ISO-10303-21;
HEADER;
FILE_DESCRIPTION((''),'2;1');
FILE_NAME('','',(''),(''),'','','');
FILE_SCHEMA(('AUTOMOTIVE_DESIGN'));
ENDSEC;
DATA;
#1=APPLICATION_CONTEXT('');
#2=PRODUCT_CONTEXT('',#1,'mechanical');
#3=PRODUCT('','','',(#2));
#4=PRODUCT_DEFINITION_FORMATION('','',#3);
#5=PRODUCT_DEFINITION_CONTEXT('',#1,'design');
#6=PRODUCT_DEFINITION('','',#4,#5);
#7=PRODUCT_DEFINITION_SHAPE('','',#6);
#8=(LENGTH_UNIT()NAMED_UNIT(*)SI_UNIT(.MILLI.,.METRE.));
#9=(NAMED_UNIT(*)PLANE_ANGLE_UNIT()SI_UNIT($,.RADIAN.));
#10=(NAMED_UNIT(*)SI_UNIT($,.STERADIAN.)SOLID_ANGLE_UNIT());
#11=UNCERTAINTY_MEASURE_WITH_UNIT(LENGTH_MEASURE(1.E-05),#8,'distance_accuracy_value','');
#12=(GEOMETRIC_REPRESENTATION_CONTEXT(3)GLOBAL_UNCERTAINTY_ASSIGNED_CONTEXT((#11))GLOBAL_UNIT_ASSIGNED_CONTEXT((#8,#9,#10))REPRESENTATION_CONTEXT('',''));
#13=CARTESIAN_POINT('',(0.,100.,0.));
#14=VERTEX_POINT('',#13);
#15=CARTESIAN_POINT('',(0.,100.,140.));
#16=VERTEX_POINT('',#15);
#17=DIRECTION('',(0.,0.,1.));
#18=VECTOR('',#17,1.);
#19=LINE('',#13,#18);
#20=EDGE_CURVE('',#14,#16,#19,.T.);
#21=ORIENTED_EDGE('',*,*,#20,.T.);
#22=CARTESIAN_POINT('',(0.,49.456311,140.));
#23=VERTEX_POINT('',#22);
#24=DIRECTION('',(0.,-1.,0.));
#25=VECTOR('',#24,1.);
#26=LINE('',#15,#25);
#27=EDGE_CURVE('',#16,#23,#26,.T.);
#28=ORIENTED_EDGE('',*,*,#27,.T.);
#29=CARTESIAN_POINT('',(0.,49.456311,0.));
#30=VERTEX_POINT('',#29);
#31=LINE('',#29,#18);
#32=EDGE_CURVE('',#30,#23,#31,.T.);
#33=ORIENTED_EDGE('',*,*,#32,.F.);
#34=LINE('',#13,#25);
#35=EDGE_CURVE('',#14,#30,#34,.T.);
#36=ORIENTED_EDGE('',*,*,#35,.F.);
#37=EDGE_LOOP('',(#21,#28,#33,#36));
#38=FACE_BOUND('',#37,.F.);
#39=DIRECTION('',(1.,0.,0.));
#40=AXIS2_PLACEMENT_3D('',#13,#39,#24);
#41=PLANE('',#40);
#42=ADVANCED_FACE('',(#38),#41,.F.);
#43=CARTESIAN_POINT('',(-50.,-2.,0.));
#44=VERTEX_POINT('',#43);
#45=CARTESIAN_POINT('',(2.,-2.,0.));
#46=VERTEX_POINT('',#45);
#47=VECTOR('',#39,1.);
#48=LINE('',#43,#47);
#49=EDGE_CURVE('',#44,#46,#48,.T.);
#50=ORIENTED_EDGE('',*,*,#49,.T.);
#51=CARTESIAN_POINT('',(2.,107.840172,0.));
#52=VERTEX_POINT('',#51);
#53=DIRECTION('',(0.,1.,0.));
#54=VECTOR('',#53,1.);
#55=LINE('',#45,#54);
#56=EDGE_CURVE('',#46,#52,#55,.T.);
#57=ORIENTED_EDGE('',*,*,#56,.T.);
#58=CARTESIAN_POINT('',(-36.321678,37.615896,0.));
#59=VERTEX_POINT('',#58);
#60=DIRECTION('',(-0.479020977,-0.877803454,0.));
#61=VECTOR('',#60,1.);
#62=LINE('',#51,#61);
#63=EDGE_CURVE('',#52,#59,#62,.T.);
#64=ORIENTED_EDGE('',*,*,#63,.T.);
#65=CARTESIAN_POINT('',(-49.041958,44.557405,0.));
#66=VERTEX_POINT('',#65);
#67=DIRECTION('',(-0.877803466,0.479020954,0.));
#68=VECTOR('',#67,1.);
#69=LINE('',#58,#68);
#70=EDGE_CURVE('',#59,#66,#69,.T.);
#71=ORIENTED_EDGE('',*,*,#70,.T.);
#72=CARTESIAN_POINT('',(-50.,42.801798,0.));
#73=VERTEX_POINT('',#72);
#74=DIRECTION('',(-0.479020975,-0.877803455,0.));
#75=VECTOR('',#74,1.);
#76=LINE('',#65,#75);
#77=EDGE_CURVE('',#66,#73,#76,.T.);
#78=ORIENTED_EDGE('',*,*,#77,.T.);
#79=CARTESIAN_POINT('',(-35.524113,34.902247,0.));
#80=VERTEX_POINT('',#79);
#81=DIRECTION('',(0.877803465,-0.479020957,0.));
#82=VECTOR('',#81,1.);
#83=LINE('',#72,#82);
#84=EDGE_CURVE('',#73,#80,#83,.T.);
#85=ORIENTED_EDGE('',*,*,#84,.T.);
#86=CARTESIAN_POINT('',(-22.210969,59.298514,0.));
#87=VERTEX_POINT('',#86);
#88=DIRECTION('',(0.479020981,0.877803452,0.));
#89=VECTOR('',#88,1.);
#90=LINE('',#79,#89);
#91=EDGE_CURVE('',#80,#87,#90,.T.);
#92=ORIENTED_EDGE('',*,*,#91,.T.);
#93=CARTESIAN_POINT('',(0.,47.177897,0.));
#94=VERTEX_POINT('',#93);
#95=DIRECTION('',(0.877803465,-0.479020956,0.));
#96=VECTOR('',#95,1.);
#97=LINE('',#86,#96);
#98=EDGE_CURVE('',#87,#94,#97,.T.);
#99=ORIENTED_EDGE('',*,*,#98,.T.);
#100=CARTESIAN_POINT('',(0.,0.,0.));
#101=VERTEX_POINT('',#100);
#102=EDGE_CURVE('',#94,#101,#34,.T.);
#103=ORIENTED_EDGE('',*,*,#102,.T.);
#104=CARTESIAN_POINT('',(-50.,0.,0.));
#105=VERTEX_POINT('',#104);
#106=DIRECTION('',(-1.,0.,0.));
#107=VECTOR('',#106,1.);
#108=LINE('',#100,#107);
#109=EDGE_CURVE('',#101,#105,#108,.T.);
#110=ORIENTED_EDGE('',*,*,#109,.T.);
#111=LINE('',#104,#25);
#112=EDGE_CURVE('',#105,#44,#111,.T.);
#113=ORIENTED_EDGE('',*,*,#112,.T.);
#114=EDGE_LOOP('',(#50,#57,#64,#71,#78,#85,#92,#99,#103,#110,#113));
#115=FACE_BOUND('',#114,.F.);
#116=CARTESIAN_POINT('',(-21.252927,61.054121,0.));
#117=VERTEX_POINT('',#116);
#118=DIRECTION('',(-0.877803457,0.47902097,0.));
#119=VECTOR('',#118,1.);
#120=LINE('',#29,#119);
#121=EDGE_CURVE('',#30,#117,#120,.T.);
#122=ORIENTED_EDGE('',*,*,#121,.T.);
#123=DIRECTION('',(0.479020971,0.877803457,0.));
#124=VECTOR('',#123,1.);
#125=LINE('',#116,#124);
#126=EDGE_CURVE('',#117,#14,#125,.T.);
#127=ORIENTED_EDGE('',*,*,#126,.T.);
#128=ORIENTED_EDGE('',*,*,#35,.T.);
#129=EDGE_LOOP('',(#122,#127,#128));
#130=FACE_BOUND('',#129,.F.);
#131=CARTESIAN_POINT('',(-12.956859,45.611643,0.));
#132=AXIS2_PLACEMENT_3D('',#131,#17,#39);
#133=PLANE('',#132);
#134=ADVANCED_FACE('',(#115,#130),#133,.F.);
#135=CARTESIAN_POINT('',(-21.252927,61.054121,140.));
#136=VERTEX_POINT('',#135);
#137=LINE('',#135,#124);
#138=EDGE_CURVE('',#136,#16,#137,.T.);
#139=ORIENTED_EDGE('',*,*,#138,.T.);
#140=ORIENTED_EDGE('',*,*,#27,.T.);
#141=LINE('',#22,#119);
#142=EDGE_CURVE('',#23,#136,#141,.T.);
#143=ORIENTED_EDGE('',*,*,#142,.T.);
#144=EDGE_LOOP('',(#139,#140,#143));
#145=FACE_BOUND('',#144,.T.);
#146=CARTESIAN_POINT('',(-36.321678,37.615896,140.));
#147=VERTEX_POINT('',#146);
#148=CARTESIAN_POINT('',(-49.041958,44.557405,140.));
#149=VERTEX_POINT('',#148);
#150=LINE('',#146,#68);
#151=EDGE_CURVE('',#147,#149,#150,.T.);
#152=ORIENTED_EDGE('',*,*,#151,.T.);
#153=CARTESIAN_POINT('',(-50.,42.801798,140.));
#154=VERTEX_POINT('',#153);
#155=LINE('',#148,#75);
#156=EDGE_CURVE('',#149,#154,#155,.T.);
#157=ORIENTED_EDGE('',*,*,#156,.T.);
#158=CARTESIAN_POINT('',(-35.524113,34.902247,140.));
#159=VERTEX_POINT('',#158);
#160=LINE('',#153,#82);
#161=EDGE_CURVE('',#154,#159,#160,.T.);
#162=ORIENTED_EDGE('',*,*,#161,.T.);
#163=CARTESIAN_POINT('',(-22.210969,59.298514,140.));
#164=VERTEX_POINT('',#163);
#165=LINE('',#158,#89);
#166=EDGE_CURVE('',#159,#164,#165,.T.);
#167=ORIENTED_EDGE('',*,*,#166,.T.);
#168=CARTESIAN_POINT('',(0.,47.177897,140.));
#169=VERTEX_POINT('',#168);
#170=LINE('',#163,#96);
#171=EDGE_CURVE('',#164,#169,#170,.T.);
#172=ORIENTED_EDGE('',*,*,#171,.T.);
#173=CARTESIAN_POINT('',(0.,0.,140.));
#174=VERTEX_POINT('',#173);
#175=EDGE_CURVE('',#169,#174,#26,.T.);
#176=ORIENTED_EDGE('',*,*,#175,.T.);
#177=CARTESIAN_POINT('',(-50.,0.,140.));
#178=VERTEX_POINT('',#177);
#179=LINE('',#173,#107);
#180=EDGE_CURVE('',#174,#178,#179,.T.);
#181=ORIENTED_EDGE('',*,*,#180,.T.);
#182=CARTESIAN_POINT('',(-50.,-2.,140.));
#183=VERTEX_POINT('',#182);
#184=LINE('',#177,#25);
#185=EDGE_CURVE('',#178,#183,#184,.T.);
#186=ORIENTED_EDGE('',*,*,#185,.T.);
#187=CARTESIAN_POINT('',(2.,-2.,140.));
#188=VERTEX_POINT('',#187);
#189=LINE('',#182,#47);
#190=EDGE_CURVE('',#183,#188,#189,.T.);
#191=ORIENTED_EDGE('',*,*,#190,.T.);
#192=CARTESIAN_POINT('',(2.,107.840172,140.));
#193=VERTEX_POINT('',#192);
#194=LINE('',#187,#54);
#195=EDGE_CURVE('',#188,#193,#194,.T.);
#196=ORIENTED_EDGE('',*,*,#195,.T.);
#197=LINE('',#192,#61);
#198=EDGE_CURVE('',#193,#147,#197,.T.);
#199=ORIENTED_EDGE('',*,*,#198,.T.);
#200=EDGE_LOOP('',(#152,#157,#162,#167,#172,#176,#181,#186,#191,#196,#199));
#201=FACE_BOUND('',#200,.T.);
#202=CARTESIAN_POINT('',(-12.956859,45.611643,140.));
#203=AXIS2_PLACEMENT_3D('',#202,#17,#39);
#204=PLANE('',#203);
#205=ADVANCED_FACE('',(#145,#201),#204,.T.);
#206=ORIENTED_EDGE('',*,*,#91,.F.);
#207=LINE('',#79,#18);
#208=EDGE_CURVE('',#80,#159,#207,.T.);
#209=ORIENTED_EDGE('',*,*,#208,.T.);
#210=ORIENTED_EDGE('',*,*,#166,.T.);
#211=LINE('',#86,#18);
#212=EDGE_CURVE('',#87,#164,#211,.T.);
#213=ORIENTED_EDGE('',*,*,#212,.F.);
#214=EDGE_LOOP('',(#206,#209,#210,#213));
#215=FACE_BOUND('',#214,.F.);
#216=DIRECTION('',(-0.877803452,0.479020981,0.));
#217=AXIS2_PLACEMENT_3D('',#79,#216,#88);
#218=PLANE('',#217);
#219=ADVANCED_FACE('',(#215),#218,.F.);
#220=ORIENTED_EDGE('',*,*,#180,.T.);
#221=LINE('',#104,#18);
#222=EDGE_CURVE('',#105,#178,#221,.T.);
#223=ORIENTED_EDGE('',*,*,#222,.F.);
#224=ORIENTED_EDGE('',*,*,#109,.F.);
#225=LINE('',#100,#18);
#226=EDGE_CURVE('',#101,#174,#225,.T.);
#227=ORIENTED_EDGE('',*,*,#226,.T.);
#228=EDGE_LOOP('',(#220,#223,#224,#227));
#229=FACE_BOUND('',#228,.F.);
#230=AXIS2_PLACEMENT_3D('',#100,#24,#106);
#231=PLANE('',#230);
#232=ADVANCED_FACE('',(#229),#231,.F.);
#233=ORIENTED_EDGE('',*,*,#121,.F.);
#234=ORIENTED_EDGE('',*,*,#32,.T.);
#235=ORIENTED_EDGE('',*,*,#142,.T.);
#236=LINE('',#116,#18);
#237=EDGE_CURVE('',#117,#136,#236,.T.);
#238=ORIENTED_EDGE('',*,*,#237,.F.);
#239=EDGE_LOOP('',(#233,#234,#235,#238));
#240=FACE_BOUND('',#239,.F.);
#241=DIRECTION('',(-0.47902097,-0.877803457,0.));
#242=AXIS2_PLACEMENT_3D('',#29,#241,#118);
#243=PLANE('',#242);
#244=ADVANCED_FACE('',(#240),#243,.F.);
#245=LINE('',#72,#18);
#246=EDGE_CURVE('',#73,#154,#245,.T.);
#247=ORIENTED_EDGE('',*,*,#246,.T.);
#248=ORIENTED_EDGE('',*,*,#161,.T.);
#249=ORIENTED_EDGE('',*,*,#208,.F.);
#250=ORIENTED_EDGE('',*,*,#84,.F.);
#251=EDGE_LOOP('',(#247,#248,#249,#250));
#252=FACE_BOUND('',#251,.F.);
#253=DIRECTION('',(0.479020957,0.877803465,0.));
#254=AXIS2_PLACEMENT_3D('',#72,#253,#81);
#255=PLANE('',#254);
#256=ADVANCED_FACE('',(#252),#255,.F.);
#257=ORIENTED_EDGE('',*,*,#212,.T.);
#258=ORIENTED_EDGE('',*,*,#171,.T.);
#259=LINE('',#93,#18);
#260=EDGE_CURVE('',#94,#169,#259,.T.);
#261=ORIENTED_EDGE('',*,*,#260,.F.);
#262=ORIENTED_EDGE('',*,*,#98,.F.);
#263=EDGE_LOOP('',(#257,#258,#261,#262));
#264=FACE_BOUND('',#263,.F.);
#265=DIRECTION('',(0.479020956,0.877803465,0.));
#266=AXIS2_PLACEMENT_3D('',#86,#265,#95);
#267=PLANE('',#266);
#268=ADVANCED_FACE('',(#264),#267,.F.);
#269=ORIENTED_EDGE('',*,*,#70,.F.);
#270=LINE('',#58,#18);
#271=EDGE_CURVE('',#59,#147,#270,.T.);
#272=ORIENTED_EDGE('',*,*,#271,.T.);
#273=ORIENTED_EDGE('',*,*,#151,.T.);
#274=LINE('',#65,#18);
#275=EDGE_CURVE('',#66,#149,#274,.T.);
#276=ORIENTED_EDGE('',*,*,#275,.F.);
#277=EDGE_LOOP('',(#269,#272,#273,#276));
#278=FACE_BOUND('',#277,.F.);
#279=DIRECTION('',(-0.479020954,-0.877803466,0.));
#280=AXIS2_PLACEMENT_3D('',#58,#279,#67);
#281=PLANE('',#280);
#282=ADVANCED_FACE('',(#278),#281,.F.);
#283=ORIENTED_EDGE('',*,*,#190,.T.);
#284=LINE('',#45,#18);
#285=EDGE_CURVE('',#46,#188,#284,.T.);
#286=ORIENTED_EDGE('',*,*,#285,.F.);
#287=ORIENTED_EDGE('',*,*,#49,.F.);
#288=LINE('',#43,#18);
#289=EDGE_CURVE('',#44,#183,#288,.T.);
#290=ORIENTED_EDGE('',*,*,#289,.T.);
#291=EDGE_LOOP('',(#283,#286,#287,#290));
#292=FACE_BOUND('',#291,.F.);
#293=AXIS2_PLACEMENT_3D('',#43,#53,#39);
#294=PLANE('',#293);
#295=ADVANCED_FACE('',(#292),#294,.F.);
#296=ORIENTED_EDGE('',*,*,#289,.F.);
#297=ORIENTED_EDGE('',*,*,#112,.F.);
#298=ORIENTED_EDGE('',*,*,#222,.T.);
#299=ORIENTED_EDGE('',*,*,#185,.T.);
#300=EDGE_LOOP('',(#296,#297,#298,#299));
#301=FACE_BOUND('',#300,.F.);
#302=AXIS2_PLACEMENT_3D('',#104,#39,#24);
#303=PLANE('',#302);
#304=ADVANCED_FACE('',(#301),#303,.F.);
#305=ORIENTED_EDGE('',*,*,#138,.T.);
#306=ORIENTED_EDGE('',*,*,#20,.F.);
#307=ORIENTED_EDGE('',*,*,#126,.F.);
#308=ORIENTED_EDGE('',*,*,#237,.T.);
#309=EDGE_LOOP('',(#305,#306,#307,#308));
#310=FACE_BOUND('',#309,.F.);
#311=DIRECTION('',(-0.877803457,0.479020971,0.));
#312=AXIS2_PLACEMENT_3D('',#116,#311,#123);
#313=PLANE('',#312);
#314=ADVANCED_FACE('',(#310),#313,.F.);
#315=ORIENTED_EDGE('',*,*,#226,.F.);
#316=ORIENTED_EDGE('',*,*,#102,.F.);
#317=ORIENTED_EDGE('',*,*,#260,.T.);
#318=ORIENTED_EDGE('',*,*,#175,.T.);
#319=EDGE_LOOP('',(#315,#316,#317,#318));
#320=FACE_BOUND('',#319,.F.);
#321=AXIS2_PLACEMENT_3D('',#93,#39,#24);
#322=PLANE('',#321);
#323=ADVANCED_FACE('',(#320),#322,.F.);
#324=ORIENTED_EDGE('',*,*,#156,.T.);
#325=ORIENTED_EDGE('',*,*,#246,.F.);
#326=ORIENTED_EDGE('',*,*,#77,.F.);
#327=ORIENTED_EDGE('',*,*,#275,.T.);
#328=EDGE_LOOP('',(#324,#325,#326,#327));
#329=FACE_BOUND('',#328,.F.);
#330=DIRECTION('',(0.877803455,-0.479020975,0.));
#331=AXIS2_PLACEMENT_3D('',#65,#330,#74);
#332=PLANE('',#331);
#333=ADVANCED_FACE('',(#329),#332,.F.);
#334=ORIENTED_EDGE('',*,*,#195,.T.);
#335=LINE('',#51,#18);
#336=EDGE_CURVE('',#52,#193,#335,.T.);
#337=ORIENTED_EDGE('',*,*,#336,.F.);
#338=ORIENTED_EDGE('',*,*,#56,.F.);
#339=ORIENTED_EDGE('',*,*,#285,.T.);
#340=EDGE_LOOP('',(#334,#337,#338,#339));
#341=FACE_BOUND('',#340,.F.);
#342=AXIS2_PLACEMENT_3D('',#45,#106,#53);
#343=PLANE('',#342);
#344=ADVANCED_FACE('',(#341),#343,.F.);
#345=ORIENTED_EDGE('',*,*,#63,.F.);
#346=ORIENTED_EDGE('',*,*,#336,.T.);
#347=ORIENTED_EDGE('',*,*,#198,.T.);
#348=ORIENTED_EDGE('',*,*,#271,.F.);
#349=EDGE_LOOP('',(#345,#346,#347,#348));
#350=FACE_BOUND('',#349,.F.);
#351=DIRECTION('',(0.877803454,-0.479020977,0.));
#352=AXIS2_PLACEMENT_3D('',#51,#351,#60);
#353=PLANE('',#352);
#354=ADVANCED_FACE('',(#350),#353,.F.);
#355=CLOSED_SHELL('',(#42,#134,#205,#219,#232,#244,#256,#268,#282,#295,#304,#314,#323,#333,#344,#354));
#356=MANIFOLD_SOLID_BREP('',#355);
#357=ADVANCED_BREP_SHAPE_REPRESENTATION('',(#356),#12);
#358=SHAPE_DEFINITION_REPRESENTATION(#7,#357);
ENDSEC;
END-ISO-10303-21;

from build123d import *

# Parameters (mm, degrees)
F1_DEPTH = 140


with BuildPart() as f1:
    # F0 (on Top) → F1 (new body)
    with BuildSketch(Plane.XY):
        Polygon((0, 47.177897), (0, 0), (-50, 0), (-50, -2), (2, -2), (2, 107.840172), (-36.321678, 37.615896), (-49.041958, 44.557405), (-50, 42.801798), (-35.524113, 34.902247), (-22.210969, 59.298514), (-21.252927, 61.054121), (0, 100), (0, 49.456311), align=None)
        Polygon((-22.210969, 59.298514), (0, 47.177897), (0, 49.456311), (-21.252927, 61.054121), align=None)
    extrude(amount=F1_DEPTH)


solid = f1.part
